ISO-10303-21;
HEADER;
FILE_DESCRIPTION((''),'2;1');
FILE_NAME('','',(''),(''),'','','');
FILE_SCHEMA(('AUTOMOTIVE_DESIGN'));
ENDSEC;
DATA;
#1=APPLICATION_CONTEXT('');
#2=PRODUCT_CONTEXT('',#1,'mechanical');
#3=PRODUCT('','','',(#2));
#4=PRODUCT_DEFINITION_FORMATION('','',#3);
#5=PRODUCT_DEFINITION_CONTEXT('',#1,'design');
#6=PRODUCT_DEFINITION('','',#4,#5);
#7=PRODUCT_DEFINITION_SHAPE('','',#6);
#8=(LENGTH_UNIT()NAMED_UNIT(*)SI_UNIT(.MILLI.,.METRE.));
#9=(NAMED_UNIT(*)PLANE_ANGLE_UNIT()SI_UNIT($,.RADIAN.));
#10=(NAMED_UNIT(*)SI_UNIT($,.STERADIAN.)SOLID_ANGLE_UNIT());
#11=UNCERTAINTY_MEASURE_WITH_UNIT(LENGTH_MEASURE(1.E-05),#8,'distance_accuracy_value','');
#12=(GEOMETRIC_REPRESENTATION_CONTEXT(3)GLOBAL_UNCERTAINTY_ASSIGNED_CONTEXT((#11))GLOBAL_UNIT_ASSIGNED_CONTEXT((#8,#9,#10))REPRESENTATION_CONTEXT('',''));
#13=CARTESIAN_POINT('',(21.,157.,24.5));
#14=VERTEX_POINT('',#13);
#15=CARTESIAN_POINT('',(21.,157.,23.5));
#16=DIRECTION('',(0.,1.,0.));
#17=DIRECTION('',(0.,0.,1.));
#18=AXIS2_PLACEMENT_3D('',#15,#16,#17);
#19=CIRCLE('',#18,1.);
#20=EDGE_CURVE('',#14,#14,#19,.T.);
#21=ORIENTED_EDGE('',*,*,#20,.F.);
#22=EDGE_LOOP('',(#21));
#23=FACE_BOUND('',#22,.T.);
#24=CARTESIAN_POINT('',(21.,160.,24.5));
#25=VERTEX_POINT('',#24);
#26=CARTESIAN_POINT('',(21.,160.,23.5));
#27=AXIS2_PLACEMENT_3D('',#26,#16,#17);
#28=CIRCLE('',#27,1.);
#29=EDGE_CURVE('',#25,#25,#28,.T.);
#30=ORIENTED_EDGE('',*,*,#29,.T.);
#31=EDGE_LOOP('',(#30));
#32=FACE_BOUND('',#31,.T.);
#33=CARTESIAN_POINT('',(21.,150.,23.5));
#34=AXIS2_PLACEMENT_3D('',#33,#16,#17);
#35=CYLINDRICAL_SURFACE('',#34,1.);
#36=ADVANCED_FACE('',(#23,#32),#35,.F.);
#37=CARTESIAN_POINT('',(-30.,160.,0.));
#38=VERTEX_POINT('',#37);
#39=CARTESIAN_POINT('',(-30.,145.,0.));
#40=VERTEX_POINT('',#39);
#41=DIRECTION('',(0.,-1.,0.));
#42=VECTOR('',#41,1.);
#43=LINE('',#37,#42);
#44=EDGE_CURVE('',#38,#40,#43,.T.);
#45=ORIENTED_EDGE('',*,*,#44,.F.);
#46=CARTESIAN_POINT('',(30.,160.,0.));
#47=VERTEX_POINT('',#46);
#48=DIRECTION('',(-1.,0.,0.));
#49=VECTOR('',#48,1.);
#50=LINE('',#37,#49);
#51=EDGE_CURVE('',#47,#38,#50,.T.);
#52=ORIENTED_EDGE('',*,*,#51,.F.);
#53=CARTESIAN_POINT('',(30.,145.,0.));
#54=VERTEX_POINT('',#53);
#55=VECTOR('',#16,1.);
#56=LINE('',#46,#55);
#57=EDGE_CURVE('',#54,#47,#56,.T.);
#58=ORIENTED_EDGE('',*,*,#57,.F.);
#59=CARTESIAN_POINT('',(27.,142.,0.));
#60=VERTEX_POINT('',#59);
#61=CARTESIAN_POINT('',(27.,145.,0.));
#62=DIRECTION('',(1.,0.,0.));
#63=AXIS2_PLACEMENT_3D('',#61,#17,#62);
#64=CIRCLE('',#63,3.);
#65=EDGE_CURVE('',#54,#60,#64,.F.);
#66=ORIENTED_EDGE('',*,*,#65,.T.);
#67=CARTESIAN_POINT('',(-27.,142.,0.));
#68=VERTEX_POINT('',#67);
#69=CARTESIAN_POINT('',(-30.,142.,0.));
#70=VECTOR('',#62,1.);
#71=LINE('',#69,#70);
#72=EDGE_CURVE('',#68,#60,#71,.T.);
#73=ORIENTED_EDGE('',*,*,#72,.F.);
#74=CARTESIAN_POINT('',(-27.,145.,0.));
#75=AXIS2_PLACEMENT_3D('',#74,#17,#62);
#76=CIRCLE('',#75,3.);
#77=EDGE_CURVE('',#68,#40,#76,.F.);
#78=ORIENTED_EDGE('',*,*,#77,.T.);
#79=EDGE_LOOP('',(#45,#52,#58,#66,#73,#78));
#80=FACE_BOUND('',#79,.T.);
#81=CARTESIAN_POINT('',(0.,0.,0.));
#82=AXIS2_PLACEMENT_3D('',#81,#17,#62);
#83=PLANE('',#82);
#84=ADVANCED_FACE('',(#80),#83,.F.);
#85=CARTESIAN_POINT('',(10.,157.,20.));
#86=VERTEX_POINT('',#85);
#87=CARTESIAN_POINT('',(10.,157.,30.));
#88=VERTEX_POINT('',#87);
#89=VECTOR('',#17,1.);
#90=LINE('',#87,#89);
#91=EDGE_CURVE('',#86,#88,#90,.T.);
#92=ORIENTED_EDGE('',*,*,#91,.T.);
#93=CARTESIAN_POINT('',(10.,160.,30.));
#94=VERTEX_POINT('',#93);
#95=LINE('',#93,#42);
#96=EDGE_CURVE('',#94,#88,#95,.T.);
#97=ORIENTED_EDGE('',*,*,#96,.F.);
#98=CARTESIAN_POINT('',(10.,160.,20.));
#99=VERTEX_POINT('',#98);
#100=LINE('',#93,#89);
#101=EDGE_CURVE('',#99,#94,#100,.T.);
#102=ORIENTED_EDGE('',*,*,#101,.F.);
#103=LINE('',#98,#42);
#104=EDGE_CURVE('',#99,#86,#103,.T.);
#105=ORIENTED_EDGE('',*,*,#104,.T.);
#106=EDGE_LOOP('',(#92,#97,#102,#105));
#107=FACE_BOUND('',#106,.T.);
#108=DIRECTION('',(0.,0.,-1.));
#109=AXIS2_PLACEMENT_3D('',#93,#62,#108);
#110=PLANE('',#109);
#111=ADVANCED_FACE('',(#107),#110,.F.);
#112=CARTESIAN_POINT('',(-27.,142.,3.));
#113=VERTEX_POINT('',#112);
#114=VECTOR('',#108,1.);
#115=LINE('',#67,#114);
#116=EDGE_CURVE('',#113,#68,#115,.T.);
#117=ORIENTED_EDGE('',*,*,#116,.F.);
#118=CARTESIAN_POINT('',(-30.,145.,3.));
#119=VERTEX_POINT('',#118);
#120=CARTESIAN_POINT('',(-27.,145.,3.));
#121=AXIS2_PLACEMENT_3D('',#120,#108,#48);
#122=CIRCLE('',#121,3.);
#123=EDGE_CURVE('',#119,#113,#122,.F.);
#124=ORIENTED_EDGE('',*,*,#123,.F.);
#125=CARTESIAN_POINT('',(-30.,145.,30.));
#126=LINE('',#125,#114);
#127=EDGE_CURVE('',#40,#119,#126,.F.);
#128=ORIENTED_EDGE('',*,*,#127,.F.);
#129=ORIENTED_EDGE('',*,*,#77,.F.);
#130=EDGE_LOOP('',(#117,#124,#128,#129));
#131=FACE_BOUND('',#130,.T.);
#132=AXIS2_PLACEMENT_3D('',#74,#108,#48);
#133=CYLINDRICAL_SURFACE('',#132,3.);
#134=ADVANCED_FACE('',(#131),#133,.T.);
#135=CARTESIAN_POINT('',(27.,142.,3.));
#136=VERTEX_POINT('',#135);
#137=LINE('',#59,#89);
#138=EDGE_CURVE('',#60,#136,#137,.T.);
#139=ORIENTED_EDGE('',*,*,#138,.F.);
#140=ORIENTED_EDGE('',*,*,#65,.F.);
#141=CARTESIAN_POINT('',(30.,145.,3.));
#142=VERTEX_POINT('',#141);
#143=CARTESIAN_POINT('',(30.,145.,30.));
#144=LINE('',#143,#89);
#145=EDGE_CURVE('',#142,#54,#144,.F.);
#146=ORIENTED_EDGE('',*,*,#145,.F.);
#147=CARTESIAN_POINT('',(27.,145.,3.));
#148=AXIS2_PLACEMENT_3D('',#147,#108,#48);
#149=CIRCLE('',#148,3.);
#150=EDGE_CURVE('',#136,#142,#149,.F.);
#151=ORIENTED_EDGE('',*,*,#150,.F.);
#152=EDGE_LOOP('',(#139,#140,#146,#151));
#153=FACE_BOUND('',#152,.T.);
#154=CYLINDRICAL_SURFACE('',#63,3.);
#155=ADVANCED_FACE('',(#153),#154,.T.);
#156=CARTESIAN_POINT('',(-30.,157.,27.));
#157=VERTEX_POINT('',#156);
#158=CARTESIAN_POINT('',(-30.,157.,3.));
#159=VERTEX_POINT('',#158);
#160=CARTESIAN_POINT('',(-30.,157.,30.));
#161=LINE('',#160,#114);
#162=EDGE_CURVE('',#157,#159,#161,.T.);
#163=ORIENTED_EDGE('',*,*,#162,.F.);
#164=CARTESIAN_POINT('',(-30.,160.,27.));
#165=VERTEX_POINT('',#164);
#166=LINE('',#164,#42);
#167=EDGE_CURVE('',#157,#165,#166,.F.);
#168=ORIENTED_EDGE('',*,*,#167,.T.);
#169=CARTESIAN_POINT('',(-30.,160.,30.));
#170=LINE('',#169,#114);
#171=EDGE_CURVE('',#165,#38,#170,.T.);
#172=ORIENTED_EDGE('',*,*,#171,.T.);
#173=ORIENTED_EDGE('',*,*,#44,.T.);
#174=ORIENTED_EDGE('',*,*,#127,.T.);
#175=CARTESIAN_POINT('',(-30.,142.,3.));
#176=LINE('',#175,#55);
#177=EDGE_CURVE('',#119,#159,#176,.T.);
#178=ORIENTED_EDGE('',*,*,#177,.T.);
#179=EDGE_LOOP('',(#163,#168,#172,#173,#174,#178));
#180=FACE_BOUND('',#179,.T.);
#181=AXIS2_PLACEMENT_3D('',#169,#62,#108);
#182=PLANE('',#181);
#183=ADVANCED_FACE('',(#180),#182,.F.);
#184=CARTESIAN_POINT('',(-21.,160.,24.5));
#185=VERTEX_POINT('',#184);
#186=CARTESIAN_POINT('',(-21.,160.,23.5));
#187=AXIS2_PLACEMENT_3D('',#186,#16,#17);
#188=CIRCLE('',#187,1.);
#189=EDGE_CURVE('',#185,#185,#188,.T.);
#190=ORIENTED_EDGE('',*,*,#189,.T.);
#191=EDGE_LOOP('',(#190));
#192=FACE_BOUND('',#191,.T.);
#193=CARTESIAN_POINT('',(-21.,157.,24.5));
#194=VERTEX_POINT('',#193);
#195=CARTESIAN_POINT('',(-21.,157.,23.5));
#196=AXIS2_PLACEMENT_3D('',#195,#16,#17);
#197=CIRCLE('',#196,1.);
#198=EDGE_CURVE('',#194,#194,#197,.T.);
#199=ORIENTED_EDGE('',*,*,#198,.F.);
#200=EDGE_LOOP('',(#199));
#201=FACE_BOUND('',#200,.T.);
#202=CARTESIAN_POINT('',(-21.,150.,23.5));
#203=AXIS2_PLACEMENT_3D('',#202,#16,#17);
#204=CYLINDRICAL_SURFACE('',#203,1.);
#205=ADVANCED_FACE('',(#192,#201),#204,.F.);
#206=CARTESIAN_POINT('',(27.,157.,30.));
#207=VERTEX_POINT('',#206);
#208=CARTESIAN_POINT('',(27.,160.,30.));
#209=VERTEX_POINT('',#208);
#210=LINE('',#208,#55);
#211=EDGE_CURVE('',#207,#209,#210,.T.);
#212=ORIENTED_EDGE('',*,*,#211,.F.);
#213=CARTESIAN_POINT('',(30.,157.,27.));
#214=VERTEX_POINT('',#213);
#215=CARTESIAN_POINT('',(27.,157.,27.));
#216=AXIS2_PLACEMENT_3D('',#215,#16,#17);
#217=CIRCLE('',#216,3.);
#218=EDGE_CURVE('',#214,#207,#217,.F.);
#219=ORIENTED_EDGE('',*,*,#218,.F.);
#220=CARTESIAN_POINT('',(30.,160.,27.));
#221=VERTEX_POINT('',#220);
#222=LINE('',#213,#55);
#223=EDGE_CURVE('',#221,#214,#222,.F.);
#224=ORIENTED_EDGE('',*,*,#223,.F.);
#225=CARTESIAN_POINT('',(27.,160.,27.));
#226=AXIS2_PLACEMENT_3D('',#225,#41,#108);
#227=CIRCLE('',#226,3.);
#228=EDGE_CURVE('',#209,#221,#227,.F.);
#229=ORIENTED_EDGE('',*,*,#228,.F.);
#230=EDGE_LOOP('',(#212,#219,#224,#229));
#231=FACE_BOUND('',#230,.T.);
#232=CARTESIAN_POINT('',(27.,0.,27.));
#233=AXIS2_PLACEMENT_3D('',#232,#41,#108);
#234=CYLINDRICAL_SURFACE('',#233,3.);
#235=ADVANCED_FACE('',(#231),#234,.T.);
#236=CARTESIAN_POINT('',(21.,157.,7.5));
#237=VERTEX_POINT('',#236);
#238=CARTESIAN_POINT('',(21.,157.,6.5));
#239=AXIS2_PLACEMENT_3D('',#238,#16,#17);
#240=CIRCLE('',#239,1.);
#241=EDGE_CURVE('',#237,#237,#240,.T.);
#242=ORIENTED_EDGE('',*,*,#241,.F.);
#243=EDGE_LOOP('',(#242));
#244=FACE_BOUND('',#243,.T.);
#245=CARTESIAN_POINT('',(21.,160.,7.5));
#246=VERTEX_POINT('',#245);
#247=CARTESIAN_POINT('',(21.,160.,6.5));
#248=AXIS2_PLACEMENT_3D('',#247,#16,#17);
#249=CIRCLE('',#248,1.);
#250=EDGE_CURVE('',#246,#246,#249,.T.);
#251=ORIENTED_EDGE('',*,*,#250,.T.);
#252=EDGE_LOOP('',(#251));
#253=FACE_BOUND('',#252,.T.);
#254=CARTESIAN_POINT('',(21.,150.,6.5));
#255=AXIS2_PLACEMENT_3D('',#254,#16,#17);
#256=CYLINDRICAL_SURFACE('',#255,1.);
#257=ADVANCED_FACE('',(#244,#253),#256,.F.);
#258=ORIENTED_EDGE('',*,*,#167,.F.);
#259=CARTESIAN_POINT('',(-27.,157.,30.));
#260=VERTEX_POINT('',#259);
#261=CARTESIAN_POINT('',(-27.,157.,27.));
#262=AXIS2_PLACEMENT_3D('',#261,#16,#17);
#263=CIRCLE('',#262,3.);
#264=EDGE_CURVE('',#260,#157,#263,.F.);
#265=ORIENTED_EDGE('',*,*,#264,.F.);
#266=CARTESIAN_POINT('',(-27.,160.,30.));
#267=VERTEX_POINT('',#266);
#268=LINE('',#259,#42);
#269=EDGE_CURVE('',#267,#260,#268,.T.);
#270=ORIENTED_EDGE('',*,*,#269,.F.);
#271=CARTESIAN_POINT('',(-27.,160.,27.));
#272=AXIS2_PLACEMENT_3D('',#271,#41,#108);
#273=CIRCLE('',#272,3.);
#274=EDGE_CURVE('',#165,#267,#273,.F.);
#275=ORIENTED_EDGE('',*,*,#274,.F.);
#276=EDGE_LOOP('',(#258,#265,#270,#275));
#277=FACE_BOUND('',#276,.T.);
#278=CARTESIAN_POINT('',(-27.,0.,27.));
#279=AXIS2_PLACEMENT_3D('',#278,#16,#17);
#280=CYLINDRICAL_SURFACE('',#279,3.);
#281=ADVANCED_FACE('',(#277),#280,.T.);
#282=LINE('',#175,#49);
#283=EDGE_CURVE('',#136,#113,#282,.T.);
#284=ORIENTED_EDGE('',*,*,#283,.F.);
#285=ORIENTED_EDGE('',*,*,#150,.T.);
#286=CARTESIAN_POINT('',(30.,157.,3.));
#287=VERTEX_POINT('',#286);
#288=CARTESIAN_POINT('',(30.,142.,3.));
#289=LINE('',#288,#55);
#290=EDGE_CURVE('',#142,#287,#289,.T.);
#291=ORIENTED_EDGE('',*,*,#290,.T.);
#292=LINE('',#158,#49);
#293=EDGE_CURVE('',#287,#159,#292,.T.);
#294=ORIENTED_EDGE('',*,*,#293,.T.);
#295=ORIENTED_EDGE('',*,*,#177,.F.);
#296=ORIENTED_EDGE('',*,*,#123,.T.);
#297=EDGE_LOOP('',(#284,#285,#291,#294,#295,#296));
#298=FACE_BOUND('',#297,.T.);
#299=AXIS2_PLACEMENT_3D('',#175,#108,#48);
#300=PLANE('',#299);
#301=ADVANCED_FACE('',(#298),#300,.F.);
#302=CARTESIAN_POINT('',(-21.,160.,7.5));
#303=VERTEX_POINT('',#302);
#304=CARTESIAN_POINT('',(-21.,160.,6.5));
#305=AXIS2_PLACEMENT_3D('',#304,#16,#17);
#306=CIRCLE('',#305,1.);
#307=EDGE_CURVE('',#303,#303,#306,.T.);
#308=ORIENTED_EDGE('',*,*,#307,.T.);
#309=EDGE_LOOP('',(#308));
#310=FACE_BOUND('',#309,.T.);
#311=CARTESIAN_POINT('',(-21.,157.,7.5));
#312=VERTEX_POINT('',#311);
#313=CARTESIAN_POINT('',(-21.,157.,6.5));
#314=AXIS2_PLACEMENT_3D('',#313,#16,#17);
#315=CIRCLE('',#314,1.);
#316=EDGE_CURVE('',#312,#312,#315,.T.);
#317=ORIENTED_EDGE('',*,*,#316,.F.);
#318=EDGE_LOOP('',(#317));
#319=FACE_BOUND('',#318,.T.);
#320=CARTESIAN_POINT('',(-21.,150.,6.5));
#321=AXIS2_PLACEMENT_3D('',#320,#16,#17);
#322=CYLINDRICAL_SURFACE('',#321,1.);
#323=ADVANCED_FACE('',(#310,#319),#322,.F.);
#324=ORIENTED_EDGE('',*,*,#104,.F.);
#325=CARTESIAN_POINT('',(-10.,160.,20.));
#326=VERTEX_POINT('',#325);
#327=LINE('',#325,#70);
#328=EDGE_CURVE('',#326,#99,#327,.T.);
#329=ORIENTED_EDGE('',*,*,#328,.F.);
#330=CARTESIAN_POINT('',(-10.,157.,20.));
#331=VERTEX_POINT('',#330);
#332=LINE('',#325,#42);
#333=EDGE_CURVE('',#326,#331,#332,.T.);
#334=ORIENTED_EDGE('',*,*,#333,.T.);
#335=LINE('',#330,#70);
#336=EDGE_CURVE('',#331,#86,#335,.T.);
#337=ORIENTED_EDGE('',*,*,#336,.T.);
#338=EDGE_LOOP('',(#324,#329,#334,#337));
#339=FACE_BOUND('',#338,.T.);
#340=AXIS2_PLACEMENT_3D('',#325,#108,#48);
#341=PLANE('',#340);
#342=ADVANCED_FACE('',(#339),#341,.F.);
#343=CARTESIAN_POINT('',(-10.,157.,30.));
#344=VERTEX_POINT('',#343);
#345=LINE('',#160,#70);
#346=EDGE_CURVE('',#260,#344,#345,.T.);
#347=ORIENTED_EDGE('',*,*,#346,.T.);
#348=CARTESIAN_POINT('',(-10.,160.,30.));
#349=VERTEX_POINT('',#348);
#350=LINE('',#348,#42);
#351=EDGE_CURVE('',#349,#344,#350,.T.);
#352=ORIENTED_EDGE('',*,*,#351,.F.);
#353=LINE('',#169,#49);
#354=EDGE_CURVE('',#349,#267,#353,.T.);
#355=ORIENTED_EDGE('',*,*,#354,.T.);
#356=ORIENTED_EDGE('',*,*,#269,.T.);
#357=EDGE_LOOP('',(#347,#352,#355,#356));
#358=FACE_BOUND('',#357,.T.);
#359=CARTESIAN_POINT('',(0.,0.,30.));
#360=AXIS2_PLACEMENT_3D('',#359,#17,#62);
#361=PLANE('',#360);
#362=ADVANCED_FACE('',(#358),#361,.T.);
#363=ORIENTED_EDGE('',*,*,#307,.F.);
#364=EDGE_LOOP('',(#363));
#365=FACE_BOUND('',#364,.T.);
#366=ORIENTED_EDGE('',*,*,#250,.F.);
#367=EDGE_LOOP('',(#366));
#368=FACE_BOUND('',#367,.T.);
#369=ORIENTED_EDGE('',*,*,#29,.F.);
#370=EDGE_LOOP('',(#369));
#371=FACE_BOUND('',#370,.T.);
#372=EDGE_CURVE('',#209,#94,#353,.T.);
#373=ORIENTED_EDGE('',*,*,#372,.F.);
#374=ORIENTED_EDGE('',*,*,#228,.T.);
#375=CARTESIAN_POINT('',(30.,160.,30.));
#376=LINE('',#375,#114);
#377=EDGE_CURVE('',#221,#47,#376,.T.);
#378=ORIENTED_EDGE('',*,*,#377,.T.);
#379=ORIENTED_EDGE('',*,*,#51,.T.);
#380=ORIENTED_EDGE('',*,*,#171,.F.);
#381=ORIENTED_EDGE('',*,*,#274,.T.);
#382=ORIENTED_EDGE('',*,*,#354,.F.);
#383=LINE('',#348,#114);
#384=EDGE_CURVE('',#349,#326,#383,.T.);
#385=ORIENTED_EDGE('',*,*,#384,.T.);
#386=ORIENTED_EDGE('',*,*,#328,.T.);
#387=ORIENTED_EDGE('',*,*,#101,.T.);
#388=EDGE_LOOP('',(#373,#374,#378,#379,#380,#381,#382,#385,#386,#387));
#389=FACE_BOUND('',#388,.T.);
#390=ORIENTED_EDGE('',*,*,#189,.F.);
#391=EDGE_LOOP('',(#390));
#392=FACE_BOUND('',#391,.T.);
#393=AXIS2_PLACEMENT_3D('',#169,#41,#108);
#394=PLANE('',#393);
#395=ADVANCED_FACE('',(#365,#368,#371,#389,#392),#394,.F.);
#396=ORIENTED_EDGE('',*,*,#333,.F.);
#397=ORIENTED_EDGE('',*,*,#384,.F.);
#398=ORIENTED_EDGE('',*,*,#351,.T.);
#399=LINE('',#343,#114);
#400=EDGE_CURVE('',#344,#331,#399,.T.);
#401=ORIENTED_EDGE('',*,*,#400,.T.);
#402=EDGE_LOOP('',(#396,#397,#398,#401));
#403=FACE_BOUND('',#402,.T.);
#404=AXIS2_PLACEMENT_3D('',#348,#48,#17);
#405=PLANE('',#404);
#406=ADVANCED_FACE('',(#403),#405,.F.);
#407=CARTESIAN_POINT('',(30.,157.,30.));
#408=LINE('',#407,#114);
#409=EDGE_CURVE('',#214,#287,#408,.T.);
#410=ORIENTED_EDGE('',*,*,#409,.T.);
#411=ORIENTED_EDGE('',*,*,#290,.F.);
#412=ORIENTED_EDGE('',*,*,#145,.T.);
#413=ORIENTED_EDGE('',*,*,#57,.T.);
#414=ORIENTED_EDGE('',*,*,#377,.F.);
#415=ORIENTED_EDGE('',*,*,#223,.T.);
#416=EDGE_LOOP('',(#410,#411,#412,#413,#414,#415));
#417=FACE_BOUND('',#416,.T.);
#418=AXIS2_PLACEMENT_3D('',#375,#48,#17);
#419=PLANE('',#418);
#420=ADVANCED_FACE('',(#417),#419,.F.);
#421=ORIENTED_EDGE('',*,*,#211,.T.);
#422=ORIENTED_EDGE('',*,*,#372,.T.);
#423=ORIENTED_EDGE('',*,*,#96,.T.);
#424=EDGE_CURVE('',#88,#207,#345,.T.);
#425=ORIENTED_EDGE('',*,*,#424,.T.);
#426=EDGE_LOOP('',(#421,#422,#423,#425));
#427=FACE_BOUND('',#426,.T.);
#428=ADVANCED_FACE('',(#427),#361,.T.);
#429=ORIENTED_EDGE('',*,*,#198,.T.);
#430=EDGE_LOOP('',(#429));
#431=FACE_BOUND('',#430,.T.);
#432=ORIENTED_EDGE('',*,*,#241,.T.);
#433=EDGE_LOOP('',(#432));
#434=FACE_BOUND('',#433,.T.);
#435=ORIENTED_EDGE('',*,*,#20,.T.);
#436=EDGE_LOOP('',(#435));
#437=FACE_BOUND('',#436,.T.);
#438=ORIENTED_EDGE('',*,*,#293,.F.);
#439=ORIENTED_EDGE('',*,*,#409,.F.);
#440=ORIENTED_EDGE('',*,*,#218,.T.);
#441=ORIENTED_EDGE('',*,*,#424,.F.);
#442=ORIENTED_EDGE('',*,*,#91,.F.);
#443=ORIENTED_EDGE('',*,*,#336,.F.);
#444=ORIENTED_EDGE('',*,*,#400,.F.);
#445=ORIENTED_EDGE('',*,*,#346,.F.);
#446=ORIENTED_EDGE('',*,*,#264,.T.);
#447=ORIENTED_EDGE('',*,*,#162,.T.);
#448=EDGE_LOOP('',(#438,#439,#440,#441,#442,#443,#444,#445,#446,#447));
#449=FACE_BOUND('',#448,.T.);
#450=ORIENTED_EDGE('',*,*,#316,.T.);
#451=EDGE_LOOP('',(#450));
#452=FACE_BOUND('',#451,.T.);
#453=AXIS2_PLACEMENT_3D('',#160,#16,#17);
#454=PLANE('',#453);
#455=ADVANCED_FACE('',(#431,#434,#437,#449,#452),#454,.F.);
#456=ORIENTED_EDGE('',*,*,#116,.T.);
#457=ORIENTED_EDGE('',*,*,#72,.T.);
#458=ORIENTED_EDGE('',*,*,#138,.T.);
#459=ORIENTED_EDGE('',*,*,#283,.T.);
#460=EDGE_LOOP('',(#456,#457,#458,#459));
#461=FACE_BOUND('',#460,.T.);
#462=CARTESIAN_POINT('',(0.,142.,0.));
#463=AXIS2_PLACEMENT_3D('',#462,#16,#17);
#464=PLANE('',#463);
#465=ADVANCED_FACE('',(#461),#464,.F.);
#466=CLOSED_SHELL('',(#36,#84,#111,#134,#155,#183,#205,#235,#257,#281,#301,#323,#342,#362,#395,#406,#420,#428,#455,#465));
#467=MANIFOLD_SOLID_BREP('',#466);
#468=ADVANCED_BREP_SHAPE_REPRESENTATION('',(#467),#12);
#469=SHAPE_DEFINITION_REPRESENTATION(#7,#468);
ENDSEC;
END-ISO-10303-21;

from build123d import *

# Parameters (mm, degrees)
SKETCH1_W           = 60
SKETCH1_H           = 3
BOSS_EXTRUDE1_DEPTH = 30
SKETCH2_W           = 60
SKETCH2_H           = 3
BOSS_EXTRUDE2_DEPTH = 15
SKETCH3_W           = 20
SKETCH3_H           = 10
CUT_EXTRUDE1_DEPTH  = 46
FILLET1_R           = 3
SKETCH4_R           = 1
CUT_EXTRUDE2_DEPTH  = 10


with BuildPart() as part:
    # Sketch1 → Boss-Extrude1 (new body)
    with BuildSketch(Plane.XY):
        with Locations((0, 158.5)):
            Rectangle(SKETCH1_W, SKETCH1_H)
    extrude(amount=BOSS_EXTRUDE1_DEPTH)

    # Sketch2 → Boss-Extrude2 (add)
    with BuildSketch(Plane.XZ.offset(-157)):
        with Locations((0, 1.5)):
            Rectangle(SKETCH2_W, SKETCH2_H)
    extrude(amount=BOSS_EXTRUDE2_DEPTH)

    # Sketch3 → Cut-Extrude1 (cut, through all)
    with BuildSketch(Plane.XZ.offset(-157)):
        with Locations((0, 25)):
            Rectangle(SKETCH3_W, SKETCH3_H)
    extrude(amount=-CUT_EXTRUDE1_DEPTH, mode=Mode.SUBTRACT)

    # Fillet1
    fillet1_edges = [part.edges().sort_by_distance(p)[0] for p in [
        (30, 158.5, 30),
        (-30, 142, 1.5),
        (30, 142, 1.5),
        (-30, 158.5, 30),
    ]]
    fillet(fillet1_edges, radius=FILLET1_R)

    # Sketch4 → Cut-Extrude2 (cut)
    with BuildSketch(Plane(origin=(0, 160, 0), x_dir=(1, 0, 0), z_dir=(0, 1, 0))):
        with Locations(Location((-21, -23.5, 0), (0, 0, 270))):
            Circle(SKETCH4_R)
        with Locations(Location((-21, -6.5, 0), (0, 0, 270))):
            Circle(SKETCH4_R)
        with Locations(Location((21, -6.5, 0), (0, 0, 270))):
            Circle(SKETCH4_R)
        with Locations(Location((21, -23.5, 0), (0, 0, 270))):
            Circle(SKETCH4_R)
    extrude(amount=-CUT_EXTRUDE2_DEPTH, mode=Mode.SUBTRACT)


solid = part.part
